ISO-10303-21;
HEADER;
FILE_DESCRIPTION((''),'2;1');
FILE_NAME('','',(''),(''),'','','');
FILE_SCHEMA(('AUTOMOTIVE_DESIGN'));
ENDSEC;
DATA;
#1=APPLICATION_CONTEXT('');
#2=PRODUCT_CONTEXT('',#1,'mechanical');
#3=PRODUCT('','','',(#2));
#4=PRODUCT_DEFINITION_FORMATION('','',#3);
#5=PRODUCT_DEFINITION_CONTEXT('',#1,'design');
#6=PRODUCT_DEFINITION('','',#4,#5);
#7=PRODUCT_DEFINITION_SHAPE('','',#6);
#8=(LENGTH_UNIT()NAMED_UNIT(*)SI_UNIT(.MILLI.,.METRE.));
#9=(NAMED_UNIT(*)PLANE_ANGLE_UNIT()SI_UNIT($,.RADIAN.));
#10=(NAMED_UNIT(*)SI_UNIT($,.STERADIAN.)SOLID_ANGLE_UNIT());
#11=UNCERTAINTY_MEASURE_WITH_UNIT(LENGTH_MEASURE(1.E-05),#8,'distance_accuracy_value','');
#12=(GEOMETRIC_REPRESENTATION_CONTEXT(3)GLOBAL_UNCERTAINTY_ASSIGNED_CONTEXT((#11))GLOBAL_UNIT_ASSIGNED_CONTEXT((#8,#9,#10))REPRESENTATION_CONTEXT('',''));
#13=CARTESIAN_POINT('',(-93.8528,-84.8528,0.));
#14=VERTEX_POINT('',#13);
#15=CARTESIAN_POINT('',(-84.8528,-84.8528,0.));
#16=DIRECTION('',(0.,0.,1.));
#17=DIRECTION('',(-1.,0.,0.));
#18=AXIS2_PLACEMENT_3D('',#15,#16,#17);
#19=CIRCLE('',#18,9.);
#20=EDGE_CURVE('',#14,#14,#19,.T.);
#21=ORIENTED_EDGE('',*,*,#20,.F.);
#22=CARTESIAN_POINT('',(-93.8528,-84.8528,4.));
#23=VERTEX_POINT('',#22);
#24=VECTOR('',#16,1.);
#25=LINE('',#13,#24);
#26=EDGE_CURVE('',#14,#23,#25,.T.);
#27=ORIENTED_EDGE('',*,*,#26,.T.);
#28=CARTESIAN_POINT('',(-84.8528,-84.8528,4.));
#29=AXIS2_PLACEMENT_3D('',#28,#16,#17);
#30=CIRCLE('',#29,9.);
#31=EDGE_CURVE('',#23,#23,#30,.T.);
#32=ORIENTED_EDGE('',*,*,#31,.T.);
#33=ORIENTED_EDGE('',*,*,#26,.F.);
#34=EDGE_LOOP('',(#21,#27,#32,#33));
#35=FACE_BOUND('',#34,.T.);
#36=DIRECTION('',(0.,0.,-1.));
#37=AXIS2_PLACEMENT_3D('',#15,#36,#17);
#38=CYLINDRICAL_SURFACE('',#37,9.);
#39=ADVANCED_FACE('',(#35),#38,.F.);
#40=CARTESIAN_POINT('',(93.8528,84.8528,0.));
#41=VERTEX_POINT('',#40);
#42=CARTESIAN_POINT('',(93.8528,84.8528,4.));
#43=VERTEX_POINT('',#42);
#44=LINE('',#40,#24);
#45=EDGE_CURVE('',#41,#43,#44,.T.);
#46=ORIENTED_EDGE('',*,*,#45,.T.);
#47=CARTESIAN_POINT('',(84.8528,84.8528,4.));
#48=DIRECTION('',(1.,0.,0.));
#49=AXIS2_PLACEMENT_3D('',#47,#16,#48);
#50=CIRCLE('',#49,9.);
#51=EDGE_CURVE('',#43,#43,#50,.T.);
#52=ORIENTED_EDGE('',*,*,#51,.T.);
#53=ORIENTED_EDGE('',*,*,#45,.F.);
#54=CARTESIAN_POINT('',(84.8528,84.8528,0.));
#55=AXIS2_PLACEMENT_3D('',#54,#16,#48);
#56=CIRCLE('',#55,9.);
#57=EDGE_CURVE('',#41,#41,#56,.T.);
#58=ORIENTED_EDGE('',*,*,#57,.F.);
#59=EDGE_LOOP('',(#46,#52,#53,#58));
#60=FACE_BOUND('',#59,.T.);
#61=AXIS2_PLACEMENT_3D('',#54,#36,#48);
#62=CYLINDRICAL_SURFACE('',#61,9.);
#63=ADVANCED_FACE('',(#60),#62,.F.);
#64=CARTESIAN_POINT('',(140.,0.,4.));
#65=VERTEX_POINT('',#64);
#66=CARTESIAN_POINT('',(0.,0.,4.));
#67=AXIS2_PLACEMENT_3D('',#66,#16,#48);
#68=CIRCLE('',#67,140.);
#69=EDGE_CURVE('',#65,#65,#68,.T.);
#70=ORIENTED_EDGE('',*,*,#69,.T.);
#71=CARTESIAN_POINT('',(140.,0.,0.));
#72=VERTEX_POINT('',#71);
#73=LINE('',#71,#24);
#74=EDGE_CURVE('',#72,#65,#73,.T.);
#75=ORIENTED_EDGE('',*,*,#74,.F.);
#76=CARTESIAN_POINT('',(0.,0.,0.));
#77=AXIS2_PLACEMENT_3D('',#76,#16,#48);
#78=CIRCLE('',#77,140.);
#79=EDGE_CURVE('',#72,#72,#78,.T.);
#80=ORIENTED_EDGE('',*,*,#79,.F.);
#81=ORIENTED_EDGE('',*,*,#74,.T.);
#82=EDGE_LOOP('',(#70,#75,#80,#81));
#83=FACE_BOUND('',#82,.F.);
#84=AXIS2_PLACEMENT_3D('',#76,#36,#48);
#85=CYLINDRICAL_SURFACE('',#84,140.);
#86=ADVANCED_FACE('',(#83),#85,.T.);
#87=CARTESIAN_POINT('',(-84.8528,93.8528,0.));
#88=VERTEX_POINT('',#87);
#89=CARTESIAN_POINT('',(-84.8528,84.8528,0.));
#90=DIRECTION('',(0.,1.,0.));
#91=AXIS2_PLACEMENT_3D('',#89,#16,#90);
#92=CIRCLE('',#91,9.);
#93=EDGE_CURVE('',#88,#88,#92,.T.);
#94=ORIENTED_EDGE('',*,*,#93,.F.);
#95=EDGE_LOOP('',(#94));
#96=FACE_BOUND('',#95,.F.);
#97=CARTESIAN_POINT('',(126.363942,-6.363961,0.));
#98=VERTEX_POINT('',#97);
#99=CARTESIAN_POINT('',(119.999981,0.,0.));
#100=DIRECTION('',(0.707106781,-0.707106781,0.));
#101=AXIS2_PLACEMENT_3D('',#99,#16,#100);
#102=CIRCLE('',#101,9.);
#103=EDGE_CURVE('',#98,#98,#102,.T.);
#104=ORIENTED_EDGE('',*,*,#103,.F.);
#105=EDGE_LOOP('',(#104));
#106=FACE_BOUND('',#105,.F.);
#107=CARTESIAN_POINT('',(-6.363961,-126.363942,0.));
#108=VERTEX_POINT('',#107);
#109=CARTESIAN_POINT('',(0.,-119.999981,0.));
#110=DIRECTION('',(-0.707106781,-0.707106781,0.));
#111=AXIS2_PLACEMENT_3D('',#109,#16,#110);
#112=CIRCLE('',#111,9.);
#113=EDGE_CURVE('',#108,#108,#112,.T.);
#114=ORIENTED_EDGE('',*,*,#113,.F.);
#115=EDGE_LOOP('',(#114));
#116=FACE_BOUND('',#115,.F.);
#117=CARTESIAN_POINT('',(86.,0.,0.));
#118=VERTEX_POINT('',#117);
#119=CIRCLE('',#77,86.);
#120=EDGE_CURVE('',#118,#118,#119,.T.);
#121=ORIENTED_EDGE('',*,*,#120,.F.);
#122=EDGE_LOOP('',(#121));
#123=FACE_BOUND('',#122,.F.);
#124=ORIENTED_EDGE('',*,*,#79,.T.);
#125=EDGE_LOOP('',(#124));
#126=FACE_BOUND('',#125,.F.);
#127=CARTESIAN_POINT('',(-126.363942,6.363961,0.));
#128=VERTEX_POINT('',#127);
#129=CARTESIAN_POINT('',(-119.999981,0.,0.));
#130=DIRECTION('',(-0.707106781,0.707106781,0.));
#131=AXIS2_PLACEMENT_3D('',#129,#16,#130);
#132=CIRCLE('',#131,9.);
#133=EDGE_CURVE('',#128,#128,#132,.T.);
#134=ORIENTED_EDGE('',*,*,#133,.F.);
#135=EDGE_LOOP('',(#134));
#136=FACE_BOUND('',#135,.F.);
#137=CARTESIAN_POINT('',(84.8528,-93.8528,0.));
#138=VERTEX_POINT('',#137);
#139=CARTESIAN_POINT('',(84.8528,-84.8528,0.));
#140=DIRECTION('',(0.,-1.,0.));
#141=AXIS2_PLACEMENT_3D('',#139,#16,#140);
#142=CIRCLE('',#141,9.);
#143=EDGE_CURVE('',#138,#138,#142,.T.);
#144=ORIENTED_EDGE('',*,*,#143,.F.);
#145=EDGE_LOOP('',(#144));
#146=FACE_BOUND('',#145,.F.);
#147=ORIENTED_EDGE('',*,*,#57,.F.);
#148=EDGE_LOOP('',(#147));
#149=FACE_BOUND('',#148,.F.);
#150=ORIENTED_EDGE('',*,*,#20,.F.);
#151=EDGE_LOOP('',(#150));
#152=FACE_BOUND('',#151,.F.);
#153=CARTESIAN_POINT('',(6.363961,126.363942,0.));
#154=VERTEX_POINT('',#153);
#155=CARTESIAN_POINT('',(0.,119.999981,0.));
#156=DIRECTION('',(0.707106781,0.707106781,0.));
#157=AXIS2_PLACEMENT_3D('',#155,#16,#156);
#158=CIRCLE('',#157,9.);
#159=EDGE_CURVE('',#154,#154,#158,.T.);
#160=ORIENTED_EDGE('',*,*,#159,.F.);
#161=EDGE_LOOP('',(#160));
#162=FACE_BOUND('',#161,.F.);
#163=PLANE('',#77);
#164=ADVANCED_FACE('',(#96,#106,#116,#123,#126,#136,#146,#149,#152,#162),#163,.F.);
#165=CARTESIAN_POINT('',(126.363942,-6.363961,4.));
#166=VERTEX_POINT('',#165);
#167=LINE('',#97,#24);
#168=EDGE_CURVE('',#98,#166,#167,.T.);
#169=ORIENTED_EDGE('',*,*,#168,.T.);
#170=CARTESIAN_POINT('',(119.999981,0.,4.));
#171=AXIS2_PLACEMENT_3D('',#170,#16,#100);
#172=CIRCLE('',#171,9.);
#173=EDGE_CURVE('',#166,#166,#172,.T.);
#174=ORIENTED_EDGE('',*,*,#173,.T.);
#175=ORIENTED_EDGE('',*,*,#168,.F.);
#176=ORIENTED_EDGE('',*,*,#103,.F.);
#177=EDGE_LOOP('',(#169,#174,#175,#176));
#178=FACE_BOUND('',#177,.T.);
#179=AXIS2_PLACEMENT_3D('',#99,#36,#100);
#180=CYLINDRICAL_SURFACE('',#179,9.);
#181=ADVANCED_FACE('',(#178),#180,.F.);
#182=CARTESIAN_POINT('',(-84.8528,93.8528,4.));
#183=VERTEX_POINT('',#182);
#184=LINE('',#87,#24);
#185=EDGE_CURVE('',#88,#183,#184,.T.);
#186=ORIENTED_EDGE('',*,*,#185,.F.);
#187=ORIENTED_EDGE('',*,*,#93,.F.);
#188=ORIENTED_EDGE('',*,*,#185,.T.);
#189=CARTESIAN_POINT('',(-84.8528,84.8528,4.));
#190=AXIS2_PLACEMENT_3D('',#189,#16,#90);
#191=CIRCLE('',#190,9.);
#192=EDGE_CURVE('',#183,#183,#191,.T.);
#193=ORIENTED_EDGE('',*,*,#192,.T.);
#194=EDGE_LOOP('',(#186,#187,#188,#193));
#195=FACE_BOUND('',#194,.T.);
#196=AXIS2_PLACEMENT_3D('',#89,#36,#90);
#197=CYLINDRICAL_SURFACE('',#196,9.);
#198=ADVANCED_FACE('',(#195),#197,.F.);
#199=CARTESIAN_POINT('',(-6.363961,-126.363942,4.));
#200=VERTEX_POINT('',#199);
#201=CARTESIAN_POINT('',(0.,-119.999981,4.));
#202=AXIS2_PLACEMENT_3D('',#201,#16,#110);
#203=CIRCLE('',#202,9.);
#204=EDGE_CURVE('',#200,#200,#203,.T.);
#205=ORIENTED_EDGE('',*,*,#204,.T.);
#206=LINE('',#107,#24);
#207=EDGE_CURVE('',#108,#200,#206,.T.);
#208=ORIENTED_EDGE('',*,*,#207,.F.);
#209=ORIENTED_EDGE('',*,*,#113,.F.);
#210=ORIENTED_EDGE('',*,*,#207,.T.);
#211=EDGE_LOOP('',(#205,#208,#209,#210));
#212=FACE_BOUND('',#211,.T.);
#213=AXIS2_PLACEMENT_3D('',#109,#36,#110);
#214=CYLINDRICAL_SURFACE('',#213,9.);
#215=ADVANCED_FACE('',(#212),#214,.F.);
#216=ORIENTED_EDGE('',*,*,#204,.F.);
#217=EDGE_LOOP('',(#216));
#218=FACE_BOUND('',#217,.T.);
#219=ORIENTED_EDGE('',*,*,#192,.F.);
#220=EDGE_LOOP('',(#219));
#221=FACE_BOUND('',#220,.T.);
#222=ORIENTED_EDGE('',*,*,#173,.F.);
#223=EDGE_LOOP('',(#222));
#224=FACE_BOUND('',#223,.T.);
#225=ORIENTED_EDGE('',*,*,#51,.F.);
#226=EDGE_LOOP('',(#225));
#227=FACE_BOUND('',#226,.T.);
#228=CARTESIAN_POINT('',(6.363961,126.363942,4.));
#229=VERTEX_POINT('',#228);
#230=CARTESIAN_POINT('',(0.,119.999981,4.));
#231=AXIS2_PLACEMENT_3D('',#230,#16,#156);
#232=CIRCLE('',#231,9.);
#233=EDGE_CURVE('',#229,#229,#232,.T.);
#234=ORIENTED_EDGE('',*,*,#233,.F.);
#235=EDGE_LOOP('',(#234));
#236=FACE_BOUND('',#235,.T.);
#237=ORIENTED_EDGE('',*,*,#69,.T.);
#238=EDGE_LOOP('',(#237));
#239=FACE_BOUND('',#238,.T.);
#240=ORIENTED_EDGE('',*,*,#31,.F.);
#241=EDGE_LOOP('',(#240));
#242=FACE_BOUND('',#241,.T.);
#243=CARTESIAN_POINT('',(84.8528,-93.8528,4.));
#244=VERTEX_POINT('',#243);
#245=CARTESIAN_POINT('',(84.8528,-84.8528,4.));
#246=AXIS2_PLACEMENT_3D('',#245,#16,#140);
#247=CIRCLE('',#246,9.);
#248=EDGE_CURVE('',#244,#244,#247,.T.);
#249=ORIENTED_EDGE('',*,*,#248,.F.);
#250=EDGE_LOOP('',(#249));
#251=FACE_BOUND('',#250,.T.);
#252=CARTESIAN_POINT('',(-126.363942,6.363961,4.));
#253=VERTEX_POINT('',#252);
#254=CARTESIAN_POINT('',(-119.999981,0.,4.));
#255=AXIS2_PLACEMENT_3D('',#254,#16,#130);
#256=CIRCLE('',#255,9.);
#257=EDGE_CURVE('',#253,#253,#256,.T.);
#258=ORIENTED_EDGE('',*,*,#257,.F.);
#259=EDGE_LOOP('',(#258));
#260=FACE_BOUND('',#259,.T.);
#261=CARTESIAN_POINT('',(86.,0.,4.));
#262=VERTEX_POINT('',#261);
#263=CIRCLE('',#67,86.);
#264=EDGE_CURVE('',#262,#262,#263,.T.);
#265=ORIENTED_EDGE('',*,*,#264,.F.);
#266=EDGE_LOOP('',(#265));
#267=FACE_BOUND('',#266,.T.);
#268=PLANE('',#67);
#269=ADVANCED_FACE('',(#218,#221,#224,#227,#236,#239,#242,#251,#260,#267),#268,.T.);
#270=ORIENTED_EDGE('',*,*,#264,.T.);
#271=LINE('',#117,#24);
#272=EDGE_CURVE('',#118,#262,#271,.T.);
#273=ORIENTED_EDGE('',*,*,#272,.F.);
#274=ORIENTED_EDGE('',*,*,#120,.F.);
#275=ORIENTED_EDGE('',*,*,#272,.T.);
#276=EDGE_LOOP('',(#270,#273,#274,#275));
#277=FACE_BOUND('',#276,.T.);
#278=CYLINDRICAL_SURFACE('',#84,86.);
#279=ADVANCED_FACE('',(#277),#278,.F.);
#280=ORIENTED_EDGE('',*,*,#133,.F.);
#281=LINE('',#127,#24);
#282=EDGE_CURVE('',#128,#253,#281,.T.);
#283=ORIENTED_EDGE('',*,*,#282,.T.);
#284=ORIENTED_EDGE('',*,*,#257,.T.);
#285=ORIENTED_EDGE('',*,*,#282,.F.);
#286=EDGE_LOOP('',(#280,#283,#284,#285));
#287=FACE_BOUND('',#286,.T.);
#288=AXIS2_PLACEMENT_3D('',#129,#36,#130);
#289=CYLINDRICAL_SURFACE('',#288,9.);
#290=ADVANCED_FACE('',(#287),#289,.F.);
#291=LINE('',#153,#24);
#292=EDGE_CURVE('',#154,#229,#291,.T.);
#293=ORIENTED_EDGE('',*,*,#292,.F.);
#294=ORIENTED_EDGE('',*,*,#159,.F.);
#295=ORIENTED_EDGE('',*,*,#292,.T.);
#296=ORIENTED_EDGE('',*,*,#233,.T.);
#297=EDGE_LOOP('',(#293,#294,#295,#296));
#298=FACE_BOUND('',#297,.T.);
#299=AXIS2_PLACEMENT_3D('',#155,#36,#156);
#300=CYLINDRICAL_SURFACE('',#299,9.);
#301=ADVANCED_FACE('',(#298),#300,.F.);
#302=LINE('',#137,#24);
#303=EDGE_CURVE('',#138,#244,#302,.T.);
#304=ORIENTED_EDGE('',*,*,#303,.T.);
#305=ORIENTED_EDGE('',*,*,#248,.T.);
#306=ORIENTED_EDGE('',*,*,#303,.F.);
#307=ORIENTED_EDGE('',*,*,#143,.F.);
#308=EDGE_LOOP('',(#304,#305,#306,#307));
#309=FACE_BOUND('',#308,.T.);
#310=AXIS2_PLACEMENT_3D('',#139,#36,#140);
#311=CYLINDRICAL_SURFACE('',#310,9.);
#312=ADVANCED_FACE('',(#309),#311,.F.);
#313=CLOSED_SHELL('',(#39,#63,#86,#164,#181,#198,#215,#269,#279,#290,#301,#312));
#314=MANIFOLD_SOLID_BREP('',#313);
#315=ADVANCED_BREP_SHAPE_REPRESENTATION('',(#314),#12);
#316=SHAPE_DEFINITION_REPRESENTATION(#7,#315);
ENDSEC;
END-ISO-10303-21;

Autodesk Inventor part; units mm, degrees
ref_plane "YZ Plane" through (0, 0, 0) normal (1, 0, 0) x (0, 1, 0)
ref_plane "XZ Plane" through (0, 0, 0) normal (0, 1, 0) x (-1, 0, 0)
ref_plane "XY Plane" through (0, 0, 0) normal (0, 0, 1) x (1, 0, 0)
sketch "Sketch1" plane through (0, 0, 0) normal (0, 0, 1) x (1, 0, 0)
  circle A0 centre (0, 0) radius 86
  circle A1 centre (0, 0) radius 140
  line L0 (98.9949, -98.9949) -> (-98.9949, 98.9949) construction
  line L1 (-98.9949, -98.9949) -> (98.9949, 98.9949) construction
  point P0 (0, 86)
  dimension "d44" = 172
  dimension "d23" = 280
extrude "Plate1" add sketch "Sketch1" along normal blind 4
sketch "Sketch6" plane through (0, 0, 0) normal (0, 0, 1) x (1, 0, 0)
  line L0 (0, 0) -> (0, 120) construction
  circle A0 centre (0, 0) radius 120 construction
  line L1 (0, 0) -> (84.8528, 84.8528) construction
  circle A1 centre (84.8528, 84.8528) radius 9
  dimension "d32" = 18
  dimension "d33" = 240
  dimension "d34" = 45
extrude "Cut2" cut sketch "Sketch6" along normal blind 4
pattern_circular "Circular Pattern2" count 8 over 360 about axis through (0, 0, -10) along (0, 0, -1) of "Cut2"
equation "\"d23\" = Flange_D_outer"
equation "\"d32\" = Flange_d_hole_diam"
equation "\"d33\" = Flange_D1_hole_center"
equation "\"d35\" = Thickness"
equation "\"d2\" = Thickness"
equation "\"BendReliefWidth\" = Thickness"
equation "\"BendReliefDepth\" = 0.5 * Thickness"
equation "\"CornerReliefSize\" = 4 * Thickness"
equation "\"MinimumRemnant\" = 2 * Thickness"
equation "\"TransitionRadius\" = BendRadius"
equation "\"JacobiRadiusSize\" = BendRadius"
equation "\"GapSize\" = Thickness"
equation "\"Octaeder_side\" = d41"
equation "\"Octaeder_flange_lenth\" = d42"
equation "\"Flange_D_outer\" = 280"
equation "\"Flange_d_hole_diam\" = 18"
equation "\"Flange_D1_hole_center\" = 240"
equation "\"Thickness\" = 4"
equation "\"BendRadius\" = 6"
equation "\"d41\" = 55.918831"
equation "\"d42\" = 72.5"
properties part number "DSB 112 drain system loose flange" material "Stainless Steel"
